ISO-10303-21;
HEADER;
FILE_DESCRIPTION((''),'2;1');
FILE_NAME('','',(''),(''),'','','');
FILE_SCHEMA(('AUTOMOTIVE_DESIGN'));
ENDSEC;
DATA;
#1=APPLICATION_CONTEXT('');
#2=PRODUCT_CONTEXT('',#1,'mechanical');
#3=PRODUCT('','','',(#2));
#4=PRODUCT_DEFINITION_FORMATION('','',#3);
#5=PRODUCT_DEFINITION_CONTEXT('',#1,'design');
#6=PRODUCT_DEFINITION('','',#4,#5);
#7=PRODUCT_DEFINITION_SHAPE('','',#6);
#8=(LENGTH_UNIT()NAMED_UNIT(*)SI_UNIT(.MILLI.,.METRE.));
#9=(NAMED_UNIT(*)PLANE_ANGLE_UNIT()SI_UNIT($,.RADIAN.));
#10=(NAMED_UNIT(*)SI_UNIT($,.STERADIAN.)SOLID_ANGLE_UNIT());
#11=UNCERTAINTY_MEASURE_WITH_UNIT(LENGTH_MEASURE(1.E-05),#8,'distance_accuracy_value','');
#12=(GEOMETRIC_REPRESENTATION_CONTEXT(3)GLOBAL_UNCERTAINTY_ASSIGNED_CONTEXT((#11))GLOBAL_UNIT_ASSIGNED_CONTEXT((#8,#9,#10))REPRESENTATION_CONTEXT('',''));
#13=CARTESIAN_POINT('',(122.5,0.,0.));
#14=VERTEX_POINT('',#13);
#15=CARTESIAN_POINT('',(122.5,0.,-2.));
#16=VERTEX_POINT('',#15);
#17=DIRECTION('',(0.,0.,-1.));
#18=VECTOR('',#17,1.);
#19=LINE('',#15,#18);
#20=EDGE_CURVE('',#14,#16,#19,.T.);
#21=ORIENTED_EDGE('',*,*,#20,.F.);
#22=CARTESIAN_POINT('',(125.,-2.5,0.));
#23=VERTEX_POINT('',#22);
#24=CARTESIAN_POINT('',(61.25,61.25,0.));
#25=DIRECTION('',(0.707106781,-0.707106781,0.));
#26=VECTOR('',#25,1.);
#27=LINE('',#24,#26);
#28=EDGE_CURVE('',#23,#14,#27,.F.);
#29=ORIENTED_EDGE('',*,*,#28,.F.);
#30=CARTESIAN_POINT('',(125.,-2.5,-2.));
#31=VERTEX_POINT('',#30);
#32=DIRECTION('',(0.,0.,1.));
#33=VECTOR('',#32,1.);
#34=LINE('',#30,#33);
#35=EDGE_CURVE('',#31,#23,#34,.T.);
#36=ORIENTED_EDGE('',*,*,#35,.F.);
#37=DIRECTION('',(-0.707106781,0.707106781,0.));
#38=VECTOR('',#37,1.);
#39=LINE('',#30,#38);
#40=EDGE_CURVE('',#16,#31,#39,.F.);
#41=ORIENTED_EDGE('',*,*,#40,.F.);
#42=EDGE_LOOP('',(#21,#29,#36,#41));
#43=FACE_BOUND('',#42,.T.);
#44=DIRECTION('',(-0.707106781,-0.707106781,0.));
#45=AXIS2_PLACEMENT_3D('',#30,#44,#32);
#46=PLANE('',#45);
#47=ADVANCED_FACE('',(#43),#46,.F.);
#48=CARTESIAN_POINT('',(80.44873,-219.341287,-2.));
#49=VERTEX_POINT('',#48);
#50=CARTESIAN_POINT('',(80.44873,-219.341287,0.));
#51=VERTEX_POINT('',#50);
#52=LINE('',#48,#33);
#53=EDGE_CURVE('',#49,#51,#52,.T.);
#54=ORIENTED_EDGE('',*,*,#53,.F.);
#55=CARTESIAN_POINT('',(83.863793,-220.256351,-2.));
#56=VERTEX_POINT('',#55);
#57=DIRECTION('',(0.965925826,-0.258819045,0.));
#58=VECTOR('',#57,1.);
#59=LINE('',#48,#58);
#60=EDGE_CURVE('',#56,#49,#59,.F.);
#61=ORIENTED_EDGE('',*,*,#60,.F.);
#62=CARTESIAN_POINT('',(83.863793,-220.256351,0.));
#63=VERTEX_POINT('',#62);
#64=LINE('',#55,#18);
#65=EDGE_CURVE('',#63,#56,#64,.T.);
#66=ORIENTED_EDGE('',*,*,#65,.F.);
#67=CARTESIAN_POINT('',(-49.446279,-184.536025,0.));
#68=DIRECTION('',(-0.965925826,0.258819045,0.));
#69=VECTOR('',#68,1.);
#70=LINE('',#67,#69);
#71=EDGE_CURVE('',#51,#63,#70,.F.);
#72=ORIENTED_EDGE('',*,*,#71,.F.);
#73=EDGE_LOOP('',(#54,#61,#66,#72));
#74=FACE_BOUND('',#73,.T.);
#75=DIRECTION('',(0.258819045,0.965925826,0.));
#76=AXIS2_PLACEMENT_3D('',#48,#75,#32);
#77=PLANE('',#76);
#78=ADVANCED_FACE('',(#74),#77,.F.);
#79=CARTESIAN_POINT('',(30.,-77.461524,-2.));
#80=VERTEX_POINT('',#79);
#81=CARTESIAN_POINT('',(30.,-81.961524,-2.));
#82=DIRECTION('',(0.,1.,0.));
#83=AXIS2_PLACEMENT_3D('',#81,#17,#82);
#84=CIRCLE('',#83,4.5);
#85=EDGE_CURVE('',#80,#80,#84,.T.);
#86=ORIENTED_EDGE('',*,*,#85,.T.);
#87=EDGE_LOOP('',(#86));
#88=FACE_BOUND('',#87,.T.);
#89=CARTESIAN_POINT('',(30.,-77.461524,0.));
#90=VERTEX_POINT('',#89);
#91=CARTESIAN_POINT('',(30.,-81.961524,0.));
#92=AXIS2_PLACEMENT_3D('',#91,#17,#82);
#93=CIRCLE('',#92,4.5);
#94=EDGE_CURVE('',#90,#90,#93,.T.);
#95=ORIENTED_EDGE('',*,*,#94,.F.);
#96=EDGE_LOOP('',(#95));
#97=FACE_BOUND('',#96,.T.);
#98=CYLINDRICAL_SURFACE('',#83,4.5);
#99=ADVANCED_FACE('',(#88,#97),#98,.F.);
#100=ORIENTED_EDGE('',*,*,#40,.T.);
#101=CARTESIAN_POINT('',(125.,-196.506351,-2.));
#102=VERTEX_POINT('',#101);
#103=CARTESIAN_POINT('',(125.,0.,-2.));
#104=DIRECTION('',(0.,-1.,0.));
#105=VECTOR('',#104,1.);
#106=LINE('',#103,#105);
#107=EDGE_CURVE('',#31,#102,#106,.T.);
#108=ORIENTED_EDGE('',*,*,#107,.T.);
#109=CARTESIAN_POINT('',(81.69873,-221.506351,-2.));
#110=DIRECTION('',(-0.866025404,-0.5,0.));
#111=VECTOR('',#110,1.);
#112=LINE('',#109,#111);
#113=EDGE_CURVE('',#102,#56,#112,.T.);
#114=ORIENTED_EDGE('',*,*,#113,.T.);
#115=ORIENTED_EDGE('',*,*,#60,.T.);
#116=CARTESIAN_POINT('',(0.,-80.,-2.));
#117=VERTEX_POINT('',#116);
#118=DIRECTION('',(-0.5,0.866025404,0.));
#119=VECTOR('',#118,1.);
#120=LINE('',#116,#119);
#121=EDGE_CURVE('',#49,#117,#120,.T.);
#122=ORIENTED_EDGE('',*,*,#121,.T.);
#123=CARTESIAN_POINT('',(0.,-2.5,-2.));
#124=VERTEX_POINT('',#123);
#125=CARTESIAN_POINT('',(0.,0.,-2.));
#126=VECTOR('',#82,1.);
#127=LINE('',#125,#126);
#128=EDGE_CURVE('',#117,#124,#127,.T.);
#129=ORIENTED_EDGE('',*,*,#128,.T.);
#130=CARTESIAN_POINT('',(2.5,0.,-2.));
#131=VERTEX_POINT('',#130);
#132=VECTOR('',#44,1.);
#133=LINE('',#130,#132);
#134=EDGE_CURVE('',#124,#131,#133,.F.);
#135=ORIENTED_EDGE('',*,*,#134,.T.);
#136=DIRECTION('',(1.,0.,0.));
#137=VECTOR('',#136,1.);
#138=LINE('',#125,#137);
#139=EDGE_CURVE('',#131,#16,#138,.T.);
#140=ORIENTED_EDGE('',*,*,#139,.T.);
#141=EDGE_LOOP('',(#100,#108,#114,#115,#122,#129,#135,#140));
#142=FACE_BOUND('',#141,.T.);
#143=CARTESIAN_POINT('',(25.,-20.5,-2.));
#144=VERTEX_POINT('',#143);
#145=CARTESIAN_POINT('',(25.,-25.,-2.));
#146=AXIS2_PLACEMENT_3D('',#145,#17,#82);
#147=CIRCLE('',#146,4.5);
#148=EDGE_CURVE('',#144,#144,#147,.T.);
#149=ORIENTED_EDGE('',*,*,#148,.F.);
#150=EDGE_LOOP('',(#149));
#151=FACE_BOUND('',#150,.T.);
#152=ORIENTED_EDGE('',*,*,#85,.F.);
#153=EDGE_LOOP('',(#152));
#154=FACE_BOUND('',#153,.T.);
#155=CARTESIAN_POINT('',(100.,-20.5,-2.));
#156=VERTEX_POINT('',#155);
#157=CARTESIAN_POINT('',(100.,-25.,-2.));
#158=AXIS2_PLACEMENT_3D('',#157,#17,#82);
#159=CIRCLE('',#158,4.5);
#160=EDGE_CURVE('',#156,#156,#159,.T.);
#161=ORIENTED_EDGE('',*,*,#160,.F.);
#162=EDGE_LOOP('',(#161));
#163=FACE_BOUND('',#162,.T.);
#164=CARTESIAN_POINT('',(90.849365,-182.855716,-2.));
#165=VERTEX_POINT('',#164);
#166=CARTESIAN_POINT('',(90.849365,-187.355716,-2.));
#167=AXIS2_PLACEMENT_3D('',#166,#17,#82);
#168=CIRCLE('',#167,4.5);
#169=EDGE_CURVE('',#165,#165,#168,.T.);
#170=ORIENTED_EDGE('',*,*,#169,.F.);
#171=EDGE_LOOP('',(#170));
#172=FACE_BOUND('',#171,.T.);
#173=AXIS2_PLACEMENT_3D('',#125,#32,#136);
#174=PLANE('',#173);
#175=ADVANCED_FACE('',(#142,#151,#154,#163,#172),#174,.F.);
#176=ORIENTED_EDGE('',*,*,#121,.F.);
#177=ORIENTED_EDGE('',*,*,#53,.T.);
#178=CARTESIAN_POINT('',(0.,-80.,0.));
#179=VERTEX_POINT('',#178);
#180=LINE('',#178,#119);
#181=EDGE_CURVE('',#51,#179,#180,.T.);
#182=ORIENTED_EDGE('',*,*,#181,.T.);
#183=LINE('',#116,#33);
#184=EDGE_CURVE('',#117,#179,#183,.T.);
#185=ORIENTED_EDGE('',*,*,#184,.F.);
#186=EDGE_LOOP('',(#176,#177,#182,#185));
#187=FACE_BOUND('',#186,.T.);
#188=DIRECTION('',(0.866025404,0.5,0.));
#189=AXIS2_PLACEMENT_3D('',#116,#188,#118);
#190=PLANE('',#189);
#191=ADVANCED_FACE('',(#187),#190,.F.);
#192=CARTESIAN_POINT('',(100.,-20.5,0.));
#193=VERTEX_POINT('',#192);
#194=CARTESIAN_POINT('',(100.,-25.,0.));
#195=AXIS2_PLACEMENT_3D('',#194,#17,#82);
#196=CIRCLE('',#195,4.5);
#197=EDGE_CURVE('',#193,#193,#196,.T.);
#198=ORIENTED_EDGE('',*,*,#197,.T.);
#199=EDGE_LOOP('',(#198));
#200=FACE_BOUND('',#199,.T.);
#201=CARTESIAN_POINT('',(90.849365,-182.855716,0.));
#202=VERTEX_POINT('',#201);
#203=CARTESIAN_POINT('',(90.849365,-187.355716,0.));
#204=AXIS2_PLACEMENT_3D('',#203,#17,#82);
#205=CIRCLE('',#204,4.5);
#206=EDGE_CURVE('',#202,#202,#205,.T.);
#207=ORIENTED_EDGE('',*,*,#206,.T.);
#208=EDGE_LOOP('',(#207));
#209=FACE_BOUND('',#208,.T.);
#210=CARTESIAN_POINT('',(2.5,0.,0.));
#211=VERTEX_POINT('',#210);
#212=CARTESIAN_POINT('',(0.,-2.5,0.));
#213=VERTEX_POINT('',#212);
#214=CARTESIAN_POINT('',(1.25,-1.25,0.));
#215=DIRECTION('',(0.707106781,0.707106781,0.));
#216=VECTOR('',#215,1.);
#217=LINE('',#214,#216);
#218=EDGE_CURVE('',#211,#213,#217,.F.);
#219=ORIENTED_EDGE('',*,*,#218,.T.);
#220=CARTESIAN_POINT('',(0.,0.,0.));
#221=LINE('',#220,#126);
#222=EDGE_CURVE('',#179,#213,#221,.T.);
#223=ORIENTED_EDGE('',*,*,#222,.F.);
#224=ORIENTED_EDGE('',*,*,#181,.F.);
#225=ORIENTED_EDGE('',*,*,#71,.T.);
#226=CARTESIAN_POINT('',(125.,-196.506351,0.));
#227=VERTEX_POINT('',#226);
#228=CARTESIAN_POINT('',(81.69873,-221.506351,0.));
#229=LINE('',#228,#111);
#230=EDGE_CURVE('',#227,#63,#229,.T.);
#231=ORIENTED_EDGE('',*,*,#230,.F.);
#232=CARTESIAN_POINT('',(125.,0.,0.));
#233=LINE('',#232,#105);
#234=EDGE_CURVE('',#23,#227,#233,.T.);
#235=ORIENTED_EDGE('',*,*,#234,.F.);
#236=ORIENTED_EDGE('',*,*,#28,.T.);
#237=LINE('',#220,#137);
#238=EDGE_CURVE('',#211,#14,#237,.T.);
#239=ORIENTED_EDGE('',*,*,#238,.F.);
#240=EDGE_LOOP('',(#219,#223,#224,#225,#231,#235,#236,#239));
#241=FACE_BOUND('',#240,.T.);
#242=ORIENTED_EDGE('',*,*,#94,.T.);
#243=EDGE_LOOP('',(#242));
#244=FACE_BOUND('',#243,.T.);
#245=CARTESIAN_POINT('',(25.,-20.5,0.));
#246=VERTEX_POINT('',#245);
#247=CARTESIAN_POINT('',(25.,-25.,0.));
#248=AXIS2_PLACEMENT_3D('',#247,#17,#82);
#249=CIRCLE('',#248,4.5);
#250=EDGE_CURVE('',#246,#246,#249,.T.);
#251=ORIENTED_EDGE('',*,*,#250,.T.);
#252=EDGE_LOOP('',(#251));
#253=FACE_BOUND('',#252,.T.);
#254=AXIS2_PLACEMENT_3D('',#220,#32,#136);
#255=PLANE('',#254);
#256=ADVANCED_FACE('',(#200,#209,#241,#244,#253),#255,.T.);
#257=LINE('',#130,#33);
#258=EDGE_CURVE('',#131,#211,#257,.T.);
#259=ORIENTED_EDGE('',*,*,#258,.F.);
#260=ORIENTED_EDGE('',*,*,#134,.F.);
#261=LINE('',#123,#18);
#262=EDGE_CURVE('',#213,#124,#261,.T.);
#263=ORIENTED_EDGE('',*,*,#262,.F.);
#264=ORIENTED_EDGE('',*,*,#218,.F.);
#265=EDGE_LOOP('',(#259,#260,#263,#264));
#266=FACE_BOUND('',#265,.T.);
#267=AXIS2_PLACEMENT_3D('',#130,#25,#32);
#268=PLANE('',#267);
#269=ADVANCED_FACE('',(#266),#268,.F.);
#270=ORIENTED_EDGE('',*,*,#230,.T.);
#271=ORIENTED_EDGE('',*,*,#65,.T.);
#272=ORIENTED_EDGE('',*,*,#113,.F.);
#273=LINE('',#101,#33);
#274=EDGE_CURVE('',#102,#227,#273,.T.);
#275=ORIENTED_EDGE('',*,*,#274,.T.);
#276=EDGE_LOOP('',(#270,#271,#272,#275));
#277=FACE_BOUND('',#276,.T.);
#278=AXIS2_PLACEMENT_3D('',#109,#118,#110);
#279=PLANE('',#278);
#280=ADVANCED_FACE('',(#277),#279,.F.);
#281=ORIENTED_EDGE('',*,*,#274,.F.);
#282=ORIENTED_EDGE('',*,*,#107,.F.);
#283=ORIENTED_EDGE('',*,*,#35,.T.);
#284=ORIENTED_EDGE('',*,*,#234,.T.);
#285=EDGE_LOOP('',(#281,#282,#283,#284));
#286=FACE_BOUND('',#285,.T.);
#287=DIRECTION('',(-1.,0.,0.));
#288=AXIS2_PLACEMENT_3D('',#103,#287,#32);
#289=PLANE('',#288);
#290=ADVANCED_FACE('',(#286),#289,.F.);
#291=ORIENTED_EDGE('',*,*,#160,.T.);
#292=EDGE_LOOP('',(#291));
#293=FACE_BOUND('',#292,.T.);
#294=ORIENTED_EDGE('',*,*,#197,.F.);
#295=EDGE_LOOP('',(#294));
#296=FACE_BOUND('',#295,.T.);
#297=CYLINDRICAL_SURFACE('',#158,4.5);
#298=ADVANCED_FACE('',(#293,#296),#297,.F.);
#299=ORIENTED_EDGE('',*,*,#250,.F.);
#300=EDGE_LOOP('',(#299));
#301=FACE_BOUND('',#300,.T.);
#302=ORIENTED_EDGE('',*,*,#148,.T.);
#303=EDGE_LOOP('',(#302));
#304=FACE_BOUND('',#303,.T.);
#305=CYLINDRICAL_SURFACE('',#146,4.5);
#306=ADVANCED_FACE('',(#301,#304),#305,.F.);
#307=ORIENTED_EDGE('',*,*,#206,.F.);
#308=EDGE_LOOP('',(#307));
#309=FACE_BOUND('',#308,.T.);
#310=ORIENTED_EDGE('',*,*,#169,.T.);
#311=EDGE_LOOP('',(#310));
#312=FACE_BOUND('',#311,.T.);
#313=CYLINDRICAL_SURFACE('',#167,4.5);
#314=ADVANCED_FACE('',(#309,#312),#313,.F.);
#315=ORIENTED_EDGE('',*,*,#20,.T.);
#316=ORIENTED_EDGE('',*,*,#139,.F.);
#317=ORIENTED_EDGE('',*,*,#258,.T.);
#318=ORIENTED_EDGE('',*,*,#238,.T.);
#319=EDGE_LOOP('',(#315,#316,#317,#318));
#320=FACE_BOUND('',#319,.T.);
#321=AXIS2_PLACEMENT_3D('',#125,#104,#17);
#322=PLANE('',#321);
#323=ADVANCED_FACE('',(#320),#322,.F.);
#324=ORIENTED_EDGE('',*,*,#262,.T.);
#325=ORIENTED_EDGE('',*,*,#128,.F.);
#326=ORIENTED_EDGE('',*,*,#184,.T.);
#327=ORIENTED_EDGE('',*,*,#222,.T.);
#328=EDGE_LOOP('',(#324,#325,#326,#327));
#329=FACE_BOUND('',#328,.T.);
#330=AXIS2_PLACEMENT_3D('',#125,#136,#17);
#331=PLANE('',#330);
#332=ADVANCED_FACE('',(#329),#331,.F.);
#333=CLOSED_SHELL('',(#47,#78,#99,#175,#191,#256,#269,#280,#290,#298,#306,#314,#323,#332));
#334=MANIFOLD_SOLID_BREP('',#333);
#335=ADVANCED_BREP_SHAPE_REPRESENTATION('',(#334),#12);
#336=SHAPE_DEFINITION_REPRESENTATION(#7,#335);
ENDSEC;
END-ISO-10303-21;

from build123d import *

# Parameters (mm, degrees)
EXTRUDE_1_DEPTH   = 2
HOLE_WIZARD_M81_D = 9
CHAMFER_1_SIZE    = 2.5


with BuildPart() as part:
    # Эскиз3 → Бобышка-Вытянуть1 (new body)
    with BuildSketch(Plane(origin=(0, 0, 0), x_dir=(1, 0, 0), z_dir=(0, 0, -1))):
        Polygon((0, 0), (125, 0), (125, 196.506350946), (81.698729811, 221.506350946), (0, 80), align=None)
    extrude(amount=EXTRUDE_1_DEPTH)

    # Отверстие с зазором M81 (through all)
    with Locations(Plane(origin=(0, 0, -2), x_dir=(1, 0, 0), z_dir=(0, 0, -1))):
        with Locations((25, 25), (100, 25), (30, 81.961524227), (90.849364905, 187.355715851)):
            Hole(HOLE_WIZARD_M81_D / 2)

    # Фаска1
    chamfer_1_edges = [part.edges().sort_by_distance(p)[0] for p in [
        (81.698729811, -221.506350946, -1),
        (125, 0, -1),
        (0, 0, -1),
    ]]
    chamfer(chamfer_1_edges, length=CHAMFER_1_SIZE)


solid = part.part
